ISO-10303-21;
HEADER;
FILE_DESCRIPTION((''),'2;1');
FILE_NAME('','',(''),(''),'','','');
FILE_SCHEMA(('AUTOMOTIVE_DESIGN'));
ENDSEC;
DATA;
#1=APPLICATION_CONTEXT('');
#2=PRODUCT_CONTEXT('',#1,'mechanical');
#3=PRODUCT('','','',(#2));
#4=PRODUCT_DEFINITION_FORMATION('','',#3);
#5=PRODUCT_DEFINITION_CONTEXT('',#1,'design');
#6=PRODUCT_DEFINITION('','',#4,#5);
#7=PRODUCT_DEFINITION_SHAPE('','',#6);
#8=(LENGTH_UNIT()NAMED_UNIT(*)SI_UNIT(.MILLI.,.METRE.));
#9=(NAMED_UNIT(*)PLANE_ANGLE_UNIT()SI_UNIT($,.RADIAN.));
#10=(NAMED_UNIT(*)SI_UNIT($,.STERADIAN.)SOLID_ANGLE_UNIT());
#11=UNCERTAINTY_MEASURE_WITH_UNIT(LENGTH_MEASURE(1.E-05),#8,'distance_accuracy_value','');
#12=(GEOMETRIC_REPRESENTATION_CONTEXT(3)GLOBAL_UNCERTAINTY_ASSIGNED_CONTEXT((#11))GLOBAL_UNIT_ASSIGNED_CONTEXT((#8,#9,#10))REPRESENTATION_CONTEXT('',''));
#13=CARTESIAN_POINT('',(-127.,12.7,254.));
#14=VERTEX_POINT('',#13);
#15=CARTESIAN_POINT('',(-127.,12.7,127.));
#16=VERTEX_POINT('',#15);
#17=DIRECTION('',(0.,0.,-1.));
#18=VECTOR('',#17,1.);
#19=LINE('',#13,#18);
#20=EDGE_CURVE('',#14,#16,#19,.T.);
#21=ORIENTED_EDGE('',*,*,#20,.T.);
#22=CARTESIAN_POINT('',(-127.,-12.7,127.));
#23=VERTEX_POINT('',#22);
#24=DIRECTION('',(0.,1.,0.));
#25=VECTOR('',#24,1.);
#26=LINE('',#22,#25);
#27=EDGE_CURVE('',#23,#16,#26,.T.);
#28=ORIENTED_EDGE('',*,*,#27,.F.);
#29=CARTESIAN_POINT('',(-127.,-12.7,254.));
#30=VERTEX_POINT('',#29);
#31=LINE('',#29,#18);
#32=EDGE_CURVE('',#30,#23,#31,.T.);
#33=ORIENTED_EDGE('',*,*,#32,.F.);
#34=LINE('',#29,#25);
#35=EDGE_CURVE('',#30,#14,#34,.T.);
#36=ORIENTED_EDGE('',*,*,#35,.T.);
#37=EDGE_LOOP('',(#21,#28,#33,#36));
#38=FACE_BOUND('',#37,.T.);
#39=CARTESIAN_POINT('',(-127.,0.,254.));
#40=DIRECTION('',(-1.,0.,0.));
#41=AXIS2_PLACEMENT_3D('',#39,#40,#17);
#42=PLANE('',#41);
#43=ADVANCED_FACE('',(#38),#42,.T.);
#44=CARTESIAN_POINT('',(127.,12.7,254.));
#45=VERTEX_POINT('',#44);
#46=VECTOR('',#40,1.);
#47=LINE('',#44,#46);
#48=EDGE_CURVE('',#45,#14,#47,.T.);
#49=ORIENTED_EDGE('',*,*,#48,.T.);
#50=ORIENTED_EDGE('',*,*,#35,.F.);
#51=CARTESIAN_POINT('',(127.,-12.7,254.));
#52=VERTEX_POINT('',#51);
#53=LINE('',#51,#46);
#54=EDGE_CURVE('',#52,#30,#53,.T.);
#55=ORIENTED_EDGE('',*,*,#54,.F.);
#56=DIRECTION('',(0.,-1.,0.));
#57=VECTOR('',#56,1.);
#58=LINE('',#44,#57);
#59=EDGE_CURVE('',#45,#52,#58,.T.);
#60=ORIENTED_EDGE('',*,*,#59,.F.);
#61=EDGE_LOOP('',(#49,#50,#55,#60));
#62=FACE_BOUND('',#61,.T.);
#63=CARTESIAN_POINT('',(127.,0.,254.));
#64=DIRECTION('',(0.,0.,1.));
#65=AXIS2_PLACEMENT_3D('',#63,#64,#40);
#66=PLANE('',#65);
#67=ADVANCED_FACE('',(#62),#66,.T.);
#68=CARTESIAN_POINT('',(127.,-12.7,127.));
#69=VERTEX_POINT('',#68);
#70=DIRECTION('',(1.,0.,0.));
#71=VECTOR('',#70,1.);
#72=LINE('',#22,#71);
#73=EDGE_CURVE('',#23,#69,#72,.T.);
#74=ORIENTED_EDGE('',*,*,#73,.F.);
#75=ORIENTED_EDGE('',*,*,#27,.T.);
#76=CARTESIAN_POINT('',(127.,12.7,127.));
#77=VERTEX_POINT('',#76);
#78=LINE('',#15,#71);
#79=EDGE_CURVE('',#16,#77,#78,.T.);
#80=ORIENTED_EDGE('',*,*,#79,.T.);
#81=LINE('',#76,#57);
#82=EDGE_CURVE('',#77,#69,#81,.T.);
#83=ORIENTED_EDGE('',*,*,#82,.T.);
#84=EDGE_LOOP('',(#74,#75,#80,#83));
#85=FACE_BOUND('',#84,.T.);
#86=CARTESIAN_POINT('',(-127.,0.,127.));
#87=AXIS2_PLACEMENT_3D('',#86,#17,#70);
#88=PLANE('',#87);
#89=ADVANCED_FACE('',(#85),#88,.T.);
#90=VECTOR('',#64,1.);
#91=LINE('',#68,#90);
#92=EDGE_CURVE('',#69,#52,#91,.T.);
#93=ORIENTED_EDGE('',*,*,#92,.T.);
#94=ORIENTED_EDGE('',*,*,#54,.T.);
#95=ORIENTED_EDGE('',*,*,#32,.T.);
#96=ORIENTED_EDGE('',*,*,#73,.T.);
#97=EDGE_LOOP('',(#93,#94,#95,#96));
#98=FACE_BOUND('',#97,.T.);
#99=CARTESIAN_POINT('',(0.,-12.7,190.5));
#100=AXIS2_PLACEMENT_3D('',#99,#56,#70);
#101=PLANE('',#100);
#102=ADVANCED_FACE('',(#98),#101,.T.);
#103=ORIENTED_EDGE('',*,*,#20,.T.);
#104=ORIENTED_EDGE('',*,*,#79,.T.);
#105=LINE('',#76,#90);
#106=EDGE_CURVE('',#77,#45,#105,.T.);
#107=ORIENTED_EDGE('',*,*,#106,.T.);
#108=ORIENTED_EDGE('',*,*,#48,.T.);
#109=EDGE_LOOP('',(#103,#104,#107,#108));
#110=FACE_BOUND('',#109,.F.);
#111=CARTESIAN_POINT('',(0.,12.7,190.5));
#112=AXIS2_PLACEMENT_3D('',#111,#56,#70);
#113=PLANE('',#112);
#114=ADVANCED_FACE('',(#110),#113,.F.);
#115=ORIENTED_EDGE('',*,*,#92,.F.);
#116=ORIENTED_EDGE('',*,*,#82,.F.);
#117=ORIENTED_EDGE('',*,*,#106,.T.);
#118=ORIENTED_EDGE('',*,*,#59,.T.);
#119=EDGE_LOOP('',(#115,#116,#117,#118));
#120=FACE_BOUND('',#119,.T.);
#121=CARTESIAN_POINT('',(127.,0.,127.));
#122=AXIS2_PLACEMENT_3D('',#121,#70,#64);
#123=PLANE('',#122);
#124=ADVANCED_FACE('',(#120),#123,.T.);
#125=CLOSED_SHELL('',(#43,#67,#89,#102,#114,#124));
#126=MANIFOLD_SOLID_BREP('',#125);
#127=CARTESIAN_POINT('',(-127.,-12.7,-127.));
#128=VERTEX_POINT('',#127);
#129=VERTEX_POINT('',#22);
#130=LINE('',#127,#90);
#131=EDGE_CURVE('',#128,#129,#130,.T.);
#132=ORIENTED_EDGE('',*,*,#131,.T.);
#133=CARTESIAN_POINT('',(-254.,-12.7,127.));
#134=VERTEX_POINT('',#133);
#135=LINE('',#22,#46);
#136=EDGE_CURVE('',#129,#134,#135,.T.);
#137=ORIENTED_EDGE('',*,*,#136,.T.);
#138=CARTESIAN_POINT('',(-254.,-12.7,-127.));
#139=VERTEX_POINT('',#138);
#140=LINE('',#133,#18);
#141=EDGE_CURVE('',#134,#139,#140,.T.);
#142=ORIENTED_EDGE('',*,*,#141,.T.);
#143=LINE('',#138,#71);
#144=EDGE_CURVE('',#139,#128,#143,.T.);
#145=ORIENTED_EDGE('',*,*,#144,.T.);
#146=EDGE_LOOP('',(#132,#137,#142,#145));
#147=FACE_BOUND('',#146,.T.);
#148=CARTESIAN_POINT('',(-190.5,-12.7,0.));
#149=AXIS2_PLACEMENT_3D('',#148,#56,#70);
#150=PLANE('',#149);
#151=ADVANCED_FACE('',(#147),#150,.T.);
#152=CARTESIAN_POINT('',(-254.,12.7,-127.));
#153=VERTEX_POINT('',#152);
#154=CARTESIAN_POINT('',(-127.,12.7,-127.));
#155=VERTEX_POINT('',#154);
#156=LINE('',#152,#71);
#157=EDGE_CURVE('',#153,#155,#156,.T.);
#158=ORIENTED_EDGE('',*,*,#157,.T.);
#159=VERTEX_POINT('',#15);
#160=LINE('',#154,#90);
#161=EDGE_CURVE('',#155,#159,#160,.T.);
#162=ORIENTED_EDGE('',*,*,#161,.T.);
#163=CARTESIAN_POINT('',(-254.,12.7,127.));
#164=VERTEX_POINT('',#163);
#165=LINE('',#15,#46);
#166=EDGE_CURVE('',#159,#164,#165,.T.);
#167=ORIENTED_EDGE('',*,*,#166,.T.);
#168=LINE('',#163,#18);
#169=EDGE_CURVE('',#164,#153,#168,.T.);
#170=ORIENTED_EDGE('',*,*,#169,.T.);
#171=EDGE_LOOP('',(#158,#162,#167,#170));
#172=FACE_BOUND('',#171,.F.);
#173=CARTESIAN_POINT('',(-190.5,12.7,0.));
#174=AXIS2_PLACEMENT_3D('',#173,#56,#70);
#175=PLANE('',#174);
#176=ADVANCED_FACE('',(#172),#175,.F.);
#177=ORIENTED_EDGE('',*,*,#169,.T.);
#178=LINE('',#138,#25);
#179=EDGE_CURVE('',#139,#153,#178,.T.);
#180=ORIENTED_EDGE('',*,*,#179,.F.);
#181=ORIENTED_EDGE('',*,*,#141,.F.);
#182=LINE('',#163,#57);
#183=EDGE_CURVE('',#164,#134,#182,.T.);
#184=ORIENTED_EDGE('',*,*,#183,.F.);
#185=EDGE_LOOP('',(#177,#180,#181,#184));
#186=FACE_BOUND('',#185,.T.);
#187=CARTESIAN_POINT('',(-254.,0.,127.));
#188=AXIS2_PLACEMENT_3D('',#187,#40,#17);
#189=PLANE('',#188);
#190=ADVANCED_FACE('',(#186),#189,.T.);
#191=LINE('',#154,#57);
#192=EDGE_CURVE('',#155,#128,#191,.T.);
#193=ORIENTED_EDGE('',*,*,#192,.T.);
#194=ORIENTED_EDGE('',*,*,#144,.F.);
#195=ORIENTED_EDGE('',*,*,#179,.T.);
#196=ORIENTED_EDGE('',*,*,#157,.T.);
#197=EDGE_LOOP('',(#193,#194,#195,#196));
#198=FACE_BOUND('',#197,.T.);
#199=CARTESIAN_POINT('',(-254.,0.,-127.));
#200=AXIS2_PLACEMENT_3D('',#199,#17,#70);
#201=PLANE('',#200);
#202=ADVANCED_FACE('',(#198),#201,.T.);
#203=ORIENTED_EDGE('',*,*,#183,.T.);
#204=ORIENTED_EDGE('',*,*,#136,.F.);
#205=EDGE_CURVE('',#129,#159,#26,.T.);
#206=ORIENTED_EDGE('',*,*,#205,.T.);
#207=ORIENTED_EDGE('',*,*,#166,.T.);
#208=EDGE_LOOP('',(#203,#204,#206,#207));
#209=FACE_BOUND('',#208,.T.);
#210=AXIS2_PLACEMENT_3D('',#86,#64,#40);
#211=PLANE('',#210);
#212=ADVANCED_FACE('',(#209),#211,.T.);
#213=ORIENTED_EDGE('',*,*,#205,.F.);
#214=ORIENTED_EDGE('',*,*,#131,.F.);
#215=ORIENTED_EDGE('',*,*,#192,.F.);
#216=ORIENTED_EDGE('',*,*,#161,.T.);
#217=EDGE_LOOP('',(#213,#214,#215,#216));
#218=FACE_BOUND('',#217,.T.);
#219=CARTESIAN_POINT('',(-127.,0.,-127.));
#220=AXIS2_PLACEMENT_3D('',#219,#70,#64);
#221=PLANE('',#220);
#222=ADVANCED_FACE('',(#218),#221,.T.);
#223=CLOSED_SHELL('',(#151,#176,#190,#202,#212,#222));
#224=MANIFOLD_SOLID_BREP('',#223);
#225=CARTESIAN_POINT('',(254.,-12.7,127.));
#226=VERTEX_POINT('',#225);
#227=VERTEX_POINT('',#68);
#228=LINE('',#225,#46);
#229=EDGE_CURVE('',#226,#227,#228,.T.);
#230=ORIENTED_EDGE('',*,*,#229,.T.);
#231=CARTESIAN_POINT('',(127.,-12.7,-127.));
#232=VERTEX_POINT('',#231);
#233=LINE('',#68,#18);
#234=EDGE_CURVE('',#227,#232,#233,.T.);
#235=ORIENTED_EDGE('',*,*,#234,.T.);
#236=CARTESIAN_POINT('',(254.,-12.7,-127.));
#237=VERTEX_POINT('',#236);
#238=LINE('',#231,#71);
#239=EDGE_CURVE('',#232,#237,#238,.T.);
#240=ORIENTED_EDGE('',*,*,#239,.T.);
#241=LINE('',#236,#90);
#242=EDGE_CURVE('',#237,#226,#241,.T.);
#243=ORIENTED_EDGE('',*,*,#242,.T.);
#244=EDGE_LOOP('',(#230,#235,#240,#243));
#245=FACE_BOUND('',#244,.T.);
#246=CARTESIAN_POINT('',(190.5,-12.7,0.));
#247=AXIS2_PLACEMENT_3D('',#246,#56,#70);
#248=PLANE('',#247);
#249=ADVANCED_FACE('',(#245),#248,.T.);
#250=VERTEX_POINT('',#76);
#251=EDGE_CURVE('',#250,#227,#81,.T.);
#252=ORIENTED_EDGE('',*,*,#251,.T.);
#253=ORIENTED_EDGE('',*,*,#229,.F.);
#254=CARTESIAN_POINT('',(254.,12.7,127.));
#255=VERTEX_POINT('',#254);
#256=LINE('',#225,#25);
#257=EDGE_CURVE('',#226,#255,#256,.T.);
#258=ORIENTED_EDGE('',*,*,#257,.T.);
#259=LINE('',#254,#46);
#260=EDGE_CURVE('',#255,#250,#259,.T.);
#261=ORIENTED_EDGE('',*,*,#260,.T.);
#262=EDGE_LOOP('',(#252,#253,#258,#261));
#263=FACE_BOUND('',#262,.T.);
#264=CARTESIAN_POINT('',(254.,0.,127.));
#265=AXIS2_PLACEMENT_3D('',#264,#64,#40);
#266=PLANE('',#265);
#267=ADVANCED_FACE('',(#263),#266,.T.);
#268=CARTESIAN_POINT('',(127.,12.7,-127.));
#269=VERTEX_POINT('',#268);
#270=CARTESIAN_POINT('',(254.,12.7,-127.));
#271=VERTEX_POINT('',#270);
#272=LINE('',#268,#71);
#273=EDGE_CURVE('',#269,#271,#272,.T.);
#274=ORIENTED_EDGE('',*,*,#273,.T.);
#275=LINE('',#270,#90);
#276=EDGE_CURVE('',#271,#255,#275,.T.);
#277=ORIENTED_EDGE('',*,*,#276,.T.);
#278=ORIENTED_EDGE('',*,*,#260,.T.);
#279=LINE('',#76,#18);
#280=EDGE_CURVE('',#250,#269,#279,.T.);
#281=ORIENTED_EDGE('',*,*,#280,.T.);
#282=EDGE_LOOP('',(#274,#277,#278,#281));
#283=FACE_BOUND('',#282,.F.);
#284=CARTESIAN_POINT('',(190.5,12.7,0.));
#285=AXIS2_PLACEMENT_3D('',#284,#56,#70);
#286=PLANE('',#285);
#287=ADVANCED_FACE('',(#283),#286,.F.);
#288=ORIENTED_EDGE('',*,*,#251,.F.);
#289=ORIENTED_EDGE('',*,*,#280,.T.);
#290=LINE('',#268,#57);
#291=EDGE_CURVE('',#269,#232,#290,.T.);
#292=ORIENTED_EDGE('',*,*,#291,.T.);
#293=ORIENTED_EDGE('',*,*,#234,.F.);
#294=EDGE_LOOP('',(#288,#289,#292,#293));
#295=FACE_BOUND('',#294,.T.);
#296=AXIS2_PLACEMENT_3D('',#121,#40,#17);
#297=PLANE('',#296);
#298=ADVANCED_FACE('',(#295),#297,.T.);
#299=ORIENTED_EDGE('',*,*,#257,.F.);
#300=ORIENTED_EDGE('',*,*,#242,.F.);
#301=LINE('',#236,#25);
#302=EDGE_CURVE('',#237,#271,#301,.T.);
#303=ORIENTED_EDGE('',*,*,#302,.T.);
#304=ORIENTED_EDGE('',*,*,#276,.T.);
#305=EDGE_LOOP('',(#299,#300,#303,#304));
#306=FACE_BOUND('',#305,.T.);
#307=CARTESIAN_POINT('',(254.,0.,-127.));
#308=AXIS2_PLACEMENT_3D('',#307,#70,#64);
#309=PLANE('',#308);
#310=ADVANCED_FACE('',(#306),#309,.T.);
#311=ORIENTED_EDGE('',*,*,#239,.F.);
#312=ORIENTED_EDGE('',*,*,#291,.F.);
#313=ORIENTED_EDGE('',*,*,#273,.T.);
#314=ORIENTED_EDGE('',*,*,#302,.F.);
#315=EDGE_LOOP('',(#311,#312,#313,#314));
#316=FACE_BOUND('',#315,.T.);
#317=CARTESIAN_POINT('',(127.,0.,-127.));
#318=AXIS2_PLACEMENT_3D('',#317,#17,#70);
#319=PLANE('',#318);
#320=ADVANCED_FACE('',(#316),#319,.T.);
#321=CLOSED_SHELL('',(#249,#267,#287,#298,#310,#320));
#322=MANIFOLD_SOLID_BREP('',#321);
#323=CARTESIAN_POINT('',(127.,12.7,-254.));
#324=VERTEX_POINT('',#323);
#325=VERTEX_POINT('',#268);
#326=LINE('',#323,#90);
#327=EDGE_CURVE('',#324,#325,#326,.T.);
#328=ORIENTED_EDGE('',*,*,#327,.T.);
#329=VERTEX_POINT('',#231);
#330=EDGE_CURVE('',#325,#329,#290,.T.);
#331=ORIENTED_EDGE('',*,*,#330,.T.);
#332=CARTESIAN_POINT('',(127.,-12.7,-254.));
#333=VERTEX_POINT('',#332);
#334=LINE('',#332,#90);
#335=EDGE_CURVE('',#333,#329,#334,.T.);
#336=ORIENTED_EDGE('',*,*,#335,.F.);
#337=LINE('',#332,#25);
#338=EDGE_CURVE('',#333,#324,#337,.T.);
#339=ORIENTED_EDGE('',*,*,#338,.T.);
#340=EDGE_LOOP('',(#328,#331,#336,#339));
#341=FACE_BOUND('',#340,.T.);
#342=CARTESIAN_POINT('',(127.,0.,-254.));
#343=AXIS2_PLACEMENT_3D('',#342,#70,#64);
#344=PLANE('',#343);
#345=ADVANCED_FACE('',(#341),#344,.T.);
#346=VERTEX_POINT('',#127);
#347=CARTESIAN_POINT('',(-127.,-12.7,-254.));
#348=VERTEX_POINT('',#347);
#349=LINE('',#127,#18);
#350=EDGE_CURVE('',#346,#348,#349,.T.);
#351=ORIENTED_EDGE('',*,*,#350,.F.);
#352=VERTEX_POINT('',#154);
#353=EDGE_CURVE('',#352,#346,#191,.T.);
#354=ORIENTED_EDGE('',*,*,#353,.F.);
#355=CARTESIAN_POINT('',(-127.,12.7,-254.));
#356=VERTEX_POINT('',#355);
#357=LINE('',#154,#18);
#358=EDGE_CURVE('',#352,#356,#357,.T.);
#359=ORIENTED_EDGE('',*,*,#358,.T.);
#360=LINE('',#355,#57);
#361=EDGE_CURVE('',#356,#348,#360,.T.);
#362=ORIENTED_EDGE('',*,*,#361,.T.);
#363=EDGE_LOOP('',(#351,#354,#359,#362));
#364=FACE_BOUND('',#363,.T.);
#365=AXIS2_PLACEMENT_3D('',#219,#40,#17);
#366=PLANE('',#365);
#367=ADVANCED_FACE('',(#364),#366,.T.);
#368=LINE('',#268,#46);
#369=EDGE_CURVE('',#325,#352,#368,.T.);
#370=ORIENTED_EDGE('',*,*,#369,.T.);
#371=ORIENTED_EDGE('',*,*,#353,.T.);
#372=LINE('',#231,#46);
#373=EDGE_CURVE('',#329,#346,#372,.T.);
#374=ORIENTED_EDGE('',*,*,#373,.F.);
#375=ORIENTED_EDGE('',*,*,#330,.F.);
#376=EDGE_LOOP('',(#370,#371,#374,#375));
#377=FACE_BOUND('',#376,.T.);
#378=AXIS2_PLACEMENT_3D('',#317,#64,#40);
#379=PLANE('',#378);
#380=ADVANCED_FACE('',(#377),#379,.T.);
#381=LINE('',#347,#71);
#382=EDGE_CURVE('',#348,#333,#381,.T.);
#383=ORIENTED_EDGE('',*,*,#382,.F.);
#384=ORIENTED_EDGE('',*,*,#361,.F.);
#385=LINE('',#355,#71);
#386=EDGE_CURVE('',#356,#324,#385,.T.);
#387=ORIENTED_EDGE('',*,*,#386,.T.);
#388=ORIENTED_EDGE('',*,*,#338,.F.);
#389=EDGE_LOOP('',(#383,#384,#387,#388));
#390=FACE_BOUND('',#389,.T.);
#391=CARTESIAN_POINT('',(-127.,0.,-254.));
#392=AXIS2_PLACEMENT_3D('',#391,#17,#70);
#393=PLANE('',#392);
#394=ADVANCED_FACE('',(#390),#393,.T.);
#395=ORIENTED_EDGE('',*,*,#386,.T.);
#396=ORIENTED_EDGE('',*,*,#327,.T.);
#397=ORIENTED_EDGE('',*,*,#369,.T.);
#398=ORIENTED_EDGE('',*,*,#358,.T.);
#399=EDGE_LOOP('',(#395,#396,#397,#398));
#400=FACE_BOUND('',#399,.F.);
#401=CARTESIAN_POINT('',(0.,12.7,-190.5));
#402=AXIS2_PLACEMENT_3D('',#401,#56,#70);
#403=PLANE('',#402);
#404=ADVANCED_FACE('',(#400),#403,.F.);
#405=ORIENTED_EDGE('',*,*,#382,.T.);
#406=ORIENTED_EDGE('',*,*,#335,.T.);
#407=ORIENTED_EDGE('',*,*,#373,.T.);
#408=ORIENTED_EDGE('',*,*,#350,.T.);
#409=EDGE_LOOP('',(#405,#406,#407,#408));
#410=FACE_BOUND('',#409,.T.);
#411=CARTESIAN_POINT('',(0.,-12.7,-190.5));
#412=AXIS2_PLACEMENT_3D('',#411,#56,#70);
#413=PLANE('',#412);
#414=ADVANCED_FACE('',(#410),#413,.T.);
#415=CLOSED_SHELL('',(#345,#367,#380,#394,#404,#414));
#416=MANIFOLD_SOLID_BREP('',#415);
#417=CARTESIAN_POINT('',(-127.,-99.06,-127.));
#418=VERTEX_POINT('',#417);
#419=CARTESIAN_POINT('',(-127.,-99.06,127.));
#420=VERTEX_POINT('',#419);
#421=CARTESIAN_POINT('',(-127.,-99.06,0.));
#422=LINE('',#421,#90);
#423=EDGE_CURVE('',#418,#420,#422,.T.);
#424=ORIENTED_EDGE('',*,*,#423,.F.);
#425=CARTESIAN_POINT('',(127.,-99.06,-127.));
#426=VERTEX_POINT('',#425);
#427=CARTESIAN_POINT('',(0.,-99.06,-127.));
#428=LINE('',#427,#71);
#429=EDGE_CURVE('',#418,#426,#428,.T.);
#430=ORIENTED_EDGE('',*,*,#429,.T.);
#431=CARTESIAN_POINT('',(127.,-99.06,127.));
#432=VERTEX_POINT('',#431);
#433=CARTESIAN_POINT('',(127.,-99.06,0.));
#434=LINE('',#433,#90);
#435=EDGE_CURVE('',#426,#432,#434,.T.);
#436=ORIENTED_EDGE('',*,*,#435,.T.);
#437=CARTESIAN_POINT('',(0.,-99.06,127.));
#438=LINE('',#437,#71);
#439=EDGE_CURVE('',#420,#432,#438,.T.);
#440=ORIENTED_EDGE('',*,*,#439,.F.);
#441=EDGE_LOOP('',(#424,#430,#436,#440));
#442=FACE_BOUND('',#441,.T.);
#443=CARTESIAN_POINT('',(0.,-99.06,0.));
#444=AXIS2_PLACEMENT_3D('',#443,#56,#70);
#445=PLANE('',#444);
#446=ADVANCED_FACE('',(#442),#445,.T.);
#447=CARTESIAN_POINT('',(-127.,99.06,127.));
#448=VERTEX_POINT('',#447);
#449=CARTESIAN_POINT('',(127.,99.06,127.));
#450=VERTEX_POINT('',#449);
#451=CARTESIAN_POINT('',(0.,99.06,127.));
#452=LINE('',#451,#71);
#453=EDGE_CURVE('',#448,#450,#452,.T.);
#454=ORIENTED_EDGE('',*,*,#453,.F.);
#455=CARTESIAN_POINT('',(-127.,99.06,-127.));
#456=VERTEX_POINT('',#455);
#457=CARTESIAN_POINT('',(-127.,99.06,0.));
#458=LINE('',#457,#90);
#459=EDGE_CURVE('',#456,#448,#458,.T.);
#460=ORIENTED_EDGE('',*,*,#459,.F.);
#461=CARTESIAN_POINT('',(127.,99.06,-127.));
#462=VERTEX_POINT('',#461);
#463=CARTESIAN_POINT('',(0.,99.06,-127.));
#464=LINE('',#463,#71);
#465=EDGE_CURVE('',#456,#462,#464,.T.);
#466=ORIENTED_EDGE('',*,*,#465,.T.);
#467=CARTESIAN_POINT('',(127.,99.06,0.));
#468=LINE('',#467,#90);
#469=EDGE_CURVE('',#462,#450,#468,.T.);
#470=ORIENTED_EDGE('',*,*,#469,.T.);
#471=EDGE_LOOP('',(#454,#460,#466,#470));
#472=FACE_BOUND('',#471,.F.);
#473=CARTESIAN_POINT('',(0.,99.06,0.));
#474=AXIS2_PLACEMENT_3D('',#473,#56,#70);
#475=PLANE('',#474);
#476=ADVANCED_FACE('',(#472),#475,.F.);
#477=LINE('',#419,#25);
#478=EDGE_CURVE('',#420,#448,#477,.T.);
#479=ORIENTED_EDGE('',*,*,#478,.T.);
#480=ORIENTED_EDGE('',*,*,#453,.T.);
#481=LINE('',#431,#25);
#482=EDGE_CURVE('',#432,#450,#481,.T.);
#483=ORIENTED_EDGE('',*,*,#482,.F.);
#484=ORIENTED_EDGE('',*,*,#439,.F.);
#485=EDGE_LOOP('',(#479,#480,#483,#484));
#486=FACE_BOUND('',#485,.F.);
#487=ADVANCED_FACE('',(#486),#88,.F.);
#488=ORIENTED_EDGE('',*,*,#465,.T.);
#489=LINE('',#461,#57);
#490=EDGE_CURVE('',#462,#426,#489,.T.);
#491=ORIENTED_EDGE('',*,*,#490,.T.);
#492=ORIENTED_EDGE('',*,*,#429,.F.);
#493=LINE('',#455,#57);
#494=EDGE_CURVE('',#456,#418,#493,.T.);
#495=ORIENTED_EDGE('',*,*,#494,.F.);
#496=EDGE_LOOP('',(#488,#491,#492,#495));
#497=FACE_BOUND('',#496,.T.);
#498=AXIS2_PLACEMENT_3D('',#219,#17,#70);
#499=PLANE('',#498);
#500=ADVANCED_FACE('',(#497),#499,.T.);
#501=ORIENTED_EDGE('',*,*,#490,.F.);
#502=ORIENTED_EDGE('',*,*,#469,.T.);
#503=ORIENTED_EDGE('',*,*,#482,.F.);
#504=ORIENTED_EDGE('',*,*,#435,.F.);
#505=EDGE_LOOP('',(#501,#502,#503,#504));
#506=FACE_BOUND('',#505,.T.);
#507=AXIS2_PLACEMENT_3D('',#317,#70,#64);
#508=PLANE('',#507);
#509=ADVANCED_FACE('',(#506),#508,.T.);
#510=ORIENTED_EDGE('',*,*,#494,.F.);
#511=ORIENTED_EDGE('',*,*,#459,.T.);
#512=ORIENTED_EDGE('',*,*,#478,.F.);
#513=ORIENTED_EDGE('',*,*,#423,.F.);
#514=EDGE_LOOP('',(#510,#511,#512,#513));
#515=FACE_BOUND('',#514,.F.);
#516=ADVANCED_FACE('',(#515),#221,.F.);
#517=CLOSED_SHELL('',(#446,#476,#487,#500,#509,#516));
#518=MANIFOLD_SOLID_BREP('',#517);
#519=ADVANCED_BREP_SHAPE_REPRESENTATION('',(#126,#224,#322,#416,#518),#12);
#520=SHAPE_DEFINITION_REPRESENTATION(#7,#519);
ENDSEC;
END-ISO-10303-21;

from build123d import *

# Parameters (mm, degrees)
F1_DEPTH = 12.7
F0_W     = 254
F0_H     = 254
F2_DEPTH = 99.06


with BuildPart() as f1:
    # F0 (on Front) → F1 (new body, symmetric)
    with BuildSketch(Plane.XZ):
        Polygon((-127, 254), (-127, 127), (127, 127), (127, 254), (0, 254), align=None)
        Polygon((-254, 127), (-254, 0), (-254, -127), (-127, -127), (-127, 127), align=None)
        Polygon((127, -127), (-127, -127), (-127, -254), (0, -254), (127, -254), align=None)
        Polygon((254, 127), (127, 127), (127, -127), (254, -127), (254, 0), align=None)
    extrude(amount=F1_DEPTH, both=True)


with BuildPart() as f2:
    # F0 (on Front) → F2 (new body, symmetric)
    with BuildSketch(Plane.XZ):
        Rectangle(F0_W, F0_H)
    extrude(amount=F2_DEPTH, both=True)


solid = Compound([f1.part, f2.part])
